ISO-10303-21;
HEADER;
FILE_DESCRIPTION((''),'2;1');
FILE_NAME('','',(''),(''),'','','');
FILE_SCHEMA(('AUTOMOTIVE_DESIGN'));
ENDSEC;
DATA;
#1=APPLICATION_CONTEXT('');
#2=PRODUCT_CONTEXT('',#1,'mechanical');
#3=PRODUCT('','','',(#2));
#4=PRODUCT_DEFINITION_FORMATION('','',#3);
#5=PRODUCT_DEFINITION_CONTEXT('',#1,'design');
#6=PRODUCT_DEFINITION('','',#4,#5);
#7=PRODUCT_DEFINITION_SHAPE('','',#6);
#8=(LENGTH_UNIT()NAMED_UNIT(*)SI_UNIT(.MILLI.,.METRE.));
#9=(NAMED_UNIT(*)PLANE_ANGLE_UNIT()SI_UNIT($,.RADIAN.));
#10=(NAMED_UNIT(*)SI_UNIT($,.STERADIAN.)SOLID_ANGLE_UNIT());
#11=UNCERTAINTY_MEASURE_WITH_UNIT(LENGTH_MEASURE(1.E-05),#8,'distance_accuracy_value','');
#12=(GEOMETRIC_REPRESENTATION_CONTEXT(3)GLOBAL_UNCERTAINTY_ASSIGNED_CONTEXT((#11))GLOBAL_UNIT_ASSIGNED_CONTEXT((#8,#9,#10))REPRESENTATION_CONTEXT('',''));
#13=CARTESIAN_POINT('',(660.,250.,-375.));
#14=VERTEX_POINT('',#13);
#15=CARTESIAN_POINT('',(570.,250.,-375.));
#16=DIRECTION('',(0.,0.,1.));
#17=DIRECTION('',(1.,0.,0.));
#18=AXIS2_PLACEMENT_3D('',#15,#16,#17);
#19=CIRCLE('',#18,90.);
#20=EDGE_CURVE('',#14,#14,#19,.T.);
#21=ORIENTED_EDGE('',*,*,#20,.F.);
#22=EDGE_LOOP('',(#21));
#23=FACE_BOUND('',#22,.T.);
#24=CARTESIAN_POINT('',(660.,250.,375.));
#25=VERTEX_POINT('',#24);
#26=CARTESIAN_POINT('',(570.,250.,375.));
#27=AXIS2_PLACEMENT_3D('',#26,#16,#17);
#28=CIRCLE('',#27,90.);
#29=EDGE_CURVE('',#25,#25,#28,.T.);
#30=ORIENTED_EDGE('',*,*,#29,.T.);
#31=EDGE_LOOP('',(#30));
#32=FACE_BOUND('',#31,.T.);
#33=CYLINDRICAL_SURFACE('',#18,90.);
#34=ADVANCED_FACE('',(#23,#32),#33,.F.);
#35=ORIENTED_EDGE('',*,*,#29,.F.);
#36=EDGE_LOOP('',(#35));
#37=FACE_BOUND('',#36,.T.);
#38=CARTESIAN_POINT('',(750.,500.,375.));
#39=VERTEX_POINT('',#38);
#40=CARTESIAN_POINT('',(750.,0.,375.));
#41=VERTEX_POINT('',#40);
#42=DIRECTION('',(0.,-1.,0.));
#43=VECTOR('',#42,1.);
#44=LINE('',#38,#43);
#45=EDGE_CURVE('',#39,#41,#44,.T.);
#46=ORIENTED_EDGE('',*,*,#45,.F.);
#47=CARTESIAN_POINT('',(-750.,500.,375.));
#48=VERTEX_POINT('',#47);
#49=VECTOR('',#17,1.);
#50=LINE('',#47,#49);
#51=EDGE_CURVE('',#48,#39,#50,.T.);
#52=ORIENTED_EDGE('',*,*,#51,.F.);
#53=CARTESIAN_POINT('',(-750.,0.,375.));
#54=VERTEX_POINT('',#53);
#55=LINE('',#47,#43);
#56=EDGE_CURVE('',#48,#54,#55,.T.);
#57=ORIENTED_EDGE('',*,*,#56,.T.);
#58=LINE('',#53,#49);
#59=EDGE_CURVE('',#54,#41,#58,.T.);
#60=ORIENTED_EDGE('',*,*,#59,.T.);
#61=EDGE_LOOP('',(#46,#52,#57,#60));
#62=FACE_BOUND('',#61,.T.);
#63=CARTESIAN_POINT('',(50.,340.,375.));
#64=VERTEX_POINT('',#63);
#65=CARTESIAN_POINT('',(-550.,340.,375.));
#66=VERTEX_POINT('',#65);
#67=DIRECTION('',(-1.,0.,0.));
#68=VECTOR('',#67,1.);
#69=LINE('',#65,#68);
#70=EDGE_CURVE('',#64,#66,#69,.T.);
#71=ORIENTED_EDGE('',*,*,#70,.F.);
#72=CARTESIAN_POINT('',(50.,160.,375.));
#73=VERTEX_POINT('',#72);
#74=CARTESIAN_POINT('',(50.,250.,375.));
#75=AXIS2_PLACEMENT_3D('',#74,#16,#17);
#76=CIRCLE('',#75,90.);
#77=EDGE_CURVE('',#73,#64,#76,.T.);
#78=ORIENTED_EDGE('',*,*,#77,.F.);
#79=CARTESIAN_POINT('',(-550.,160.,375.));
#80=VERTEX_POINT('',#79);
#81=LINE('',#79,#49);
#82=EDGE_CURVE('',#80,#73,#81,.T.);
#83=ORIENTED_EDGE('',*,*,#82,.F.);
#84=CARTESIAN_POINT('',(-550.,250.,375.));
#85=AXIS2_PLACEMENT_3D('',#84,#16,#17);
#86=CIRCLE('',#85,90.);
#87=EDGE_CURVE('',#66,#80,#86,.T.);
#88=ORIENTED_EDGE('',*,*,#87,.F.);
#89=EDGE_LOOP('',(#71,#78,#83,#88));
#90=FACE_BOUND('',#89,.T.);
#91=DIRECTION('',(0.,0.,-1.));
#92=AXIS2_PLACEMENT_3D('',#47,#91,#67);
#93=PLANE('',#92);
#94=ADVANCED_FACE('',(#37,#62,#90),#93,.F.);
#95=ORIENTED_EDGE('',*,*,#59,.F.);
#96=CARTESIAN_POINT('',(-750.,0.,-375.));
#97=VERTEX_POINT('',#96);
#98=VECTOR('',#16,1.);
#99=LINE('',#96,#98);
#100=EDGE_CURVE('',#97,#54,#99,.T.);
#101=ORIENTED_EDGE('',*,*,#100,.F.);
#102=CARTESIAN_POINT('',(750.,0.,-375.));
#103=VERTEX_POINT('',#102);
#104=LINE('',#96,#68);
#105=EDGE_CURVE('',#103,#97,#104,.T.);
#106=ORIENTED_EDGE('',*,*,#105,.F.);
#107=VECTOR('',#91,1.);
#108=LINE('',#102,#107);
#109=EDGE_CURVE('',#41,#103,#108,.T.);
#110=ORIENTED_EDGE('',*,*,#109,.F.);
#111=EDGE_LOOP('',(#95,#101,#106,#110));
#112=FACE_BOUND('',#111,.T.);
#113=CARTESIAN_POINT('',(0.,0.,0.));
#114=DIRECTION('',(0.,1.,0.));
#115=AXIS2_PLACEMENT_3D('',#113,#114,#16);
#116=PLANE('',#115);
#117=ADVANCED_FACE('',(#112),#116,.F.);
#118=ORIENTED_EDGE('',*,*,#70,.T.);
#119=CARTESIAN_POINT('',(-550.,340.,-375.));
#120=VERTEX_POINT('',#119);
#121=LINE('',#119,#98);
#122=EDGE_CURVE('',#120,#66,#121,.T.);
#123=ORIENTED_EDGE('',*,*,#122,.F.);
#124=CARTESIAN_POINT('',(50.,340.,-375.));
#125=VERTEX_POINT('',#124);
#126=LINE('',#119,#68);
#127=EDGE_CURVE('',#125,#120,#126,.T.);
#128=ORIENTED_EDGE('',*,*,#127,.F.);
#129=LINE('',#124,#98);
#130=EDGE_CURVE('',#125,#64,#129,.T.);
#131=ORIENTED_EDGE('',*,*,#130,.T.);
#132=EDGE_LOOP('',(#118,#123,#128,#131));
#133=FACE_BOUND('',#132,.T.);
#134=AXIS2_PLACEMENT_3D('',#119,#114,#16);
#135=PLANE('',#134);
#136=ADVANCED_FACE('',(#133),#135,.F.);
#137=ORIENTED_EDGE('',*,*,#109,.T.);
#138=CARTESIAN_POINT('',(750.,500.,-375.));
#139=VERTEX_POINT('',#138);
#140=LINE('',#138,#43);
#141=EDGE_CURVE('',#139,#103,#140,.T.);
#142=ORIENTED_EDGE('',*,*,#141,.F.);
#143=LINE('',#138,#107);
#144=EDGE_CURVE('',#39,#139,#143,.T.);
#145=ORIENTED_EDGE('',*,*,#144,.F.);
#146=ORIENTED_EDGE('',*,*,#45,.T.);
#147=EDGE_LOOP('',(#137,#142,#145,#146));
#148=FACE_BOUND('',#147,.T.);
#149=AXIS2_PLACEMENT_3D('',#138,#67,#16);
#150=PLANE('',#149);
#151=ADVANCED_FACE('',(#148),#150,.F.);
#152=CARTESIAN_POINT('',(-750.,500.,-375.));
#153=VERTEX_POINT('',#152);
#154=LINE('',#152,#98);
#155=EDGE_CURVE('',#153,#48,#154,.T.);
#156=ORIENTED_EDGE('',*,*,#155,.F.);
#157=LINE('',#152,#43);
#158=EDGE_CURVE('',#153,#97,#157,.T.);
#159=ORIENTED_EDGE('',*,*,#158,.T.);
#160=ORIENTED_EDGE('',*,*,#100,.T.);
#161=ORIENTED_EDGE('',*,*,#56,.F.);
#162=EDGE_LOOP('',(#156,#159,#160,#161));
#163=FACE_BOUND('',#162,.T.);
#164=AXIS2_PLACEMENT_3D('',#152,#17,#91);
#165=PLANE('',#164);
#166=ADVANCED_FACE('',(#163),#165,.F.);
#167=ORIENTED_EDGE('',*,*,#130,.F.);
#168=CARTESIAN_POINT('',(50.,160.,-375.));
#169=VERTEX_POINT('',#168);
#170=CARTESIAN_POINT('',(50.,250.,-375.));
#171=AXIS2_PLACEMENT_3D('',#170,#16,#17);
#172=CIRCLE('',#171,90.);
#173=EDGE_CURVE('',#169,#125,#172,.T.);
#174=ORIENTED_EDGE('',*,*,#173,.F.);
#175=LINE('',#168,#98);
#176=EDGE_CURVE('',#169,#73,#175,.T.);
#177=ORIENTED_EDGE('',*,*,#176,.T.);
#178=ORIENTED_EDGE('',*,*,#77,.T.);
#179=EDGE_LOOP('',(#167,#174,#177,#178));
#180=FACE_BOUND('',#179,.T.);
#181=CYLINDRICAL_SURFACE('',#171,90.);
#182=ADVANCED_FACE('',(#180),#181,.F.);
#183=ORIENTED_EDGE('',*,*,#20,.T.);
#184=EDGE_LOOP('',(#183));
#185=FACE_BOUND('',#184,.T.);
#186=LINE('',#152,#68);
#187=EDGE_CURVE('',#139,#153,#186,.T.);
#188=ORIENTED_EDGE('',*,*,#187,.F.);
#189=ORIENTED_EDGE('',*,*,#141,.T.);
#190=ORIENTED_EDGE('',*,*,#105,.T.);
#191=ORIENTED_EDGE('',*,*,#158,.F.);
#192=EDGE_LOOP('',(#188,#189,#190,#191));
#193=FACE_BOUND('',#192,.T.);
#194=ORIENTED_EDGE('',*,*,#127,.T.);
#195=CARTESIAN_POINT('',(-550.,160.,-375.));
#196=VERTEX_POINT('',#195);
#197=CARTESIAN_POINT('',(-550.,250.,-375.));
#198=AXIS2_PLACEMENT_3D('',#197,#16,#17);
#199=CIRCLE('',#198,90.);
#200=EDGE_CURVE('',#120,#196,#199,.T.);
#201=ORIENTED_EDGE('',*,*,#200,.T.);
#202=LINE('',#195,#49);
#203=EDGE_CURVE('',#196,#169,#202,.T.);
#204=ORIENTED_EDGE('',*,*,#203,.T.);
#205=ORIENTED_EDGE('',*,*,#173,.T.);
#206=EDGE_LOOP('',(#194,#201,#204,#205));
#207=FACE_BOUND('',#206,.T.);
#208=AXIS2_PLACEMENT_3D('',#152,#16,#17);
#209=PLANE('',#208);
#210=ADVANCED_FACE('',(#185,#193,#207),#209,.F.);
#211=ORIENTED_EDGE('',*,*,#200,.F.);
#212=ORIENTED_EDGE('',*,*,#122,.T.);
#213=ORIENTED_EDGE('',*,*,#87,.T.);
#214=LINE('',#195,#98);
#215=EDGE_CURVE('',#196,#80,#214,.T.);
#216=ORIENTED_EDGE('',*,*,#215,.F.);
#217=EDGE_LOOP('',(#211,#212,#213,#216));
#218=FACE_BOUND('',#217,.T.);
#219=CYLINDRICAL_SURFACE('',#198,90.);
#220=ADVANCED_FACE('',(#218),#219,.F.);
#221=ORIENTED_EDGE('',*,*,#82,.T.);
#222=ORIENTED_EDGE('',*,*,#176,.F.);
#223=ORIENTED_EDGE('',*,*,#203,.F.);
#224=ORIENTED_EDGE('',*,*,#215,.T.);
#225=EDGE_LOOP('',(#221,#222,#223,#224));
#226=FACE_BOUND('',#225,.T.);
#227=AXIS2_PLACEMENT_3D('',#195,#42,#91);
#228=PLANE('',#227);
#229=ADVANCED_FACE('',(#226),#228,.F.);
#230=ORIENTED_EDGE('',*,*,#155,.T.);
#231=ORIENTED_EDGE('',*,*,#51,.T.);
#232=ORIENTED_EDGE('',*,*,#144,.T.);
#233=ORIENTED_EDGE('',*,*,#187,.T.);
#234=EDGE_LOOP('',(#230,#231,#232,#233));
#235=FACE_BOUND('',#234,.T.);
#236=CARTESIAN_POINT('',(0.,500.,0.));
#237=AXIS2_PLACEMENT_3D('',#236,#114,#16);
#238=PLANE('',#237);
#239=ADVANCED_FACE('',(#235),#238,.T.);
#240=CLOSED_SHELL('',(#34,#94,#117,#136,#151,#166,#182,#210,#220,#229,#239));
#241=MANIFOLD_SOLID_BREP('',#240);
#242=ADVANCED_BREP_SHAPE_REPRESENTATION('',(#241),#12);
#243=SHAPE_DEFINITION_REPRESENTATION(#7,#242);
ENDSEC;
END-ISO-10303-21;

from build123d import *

# Parameters (mm, degrees)
SKETCH1_W           = 1500
SKETCH1_H           = 750
BOSS_EXTRUDE1_DEPTH = 500
SKETCH2_R           = 90
CUT_EXTRUDE1_DEPTH  = 1173.603939956


with BuildPart() as part:
    # Sketch1 → Boss-Extrude1 (new body)
    with BuildSketch(Plane(origin=(0, 0, 0), x_dir=(1, 0, 0), z_dir=(0, 1, 0))):
        Rectangle(SKETCH1_W, SKETCH1_H)
    extrude(amount=BOSS_EXTRUDE1_DEPTH)

    # Sketch2 → Cut-Extrude1 (cut, through all)
    with BuildSketch(Plane.XY.offset(375)):
        with Locations((570, 250)):
            Circle(SKETCH2_R)
        with BuildLine():
            Line((-550, 340), (50, 340))
            ThreePointArc((50, 340), (140, 250), (50, 160))
            Line((50, 160), (-550, 160))
            ThreePointArc((-550, 160), (-640, 250), (-550, 340))
        make_face()
    extrude(amount=-CUT_EXTRUDE1_DEPTH, mode=Mode.SUBTRACT)


solid = part.part
